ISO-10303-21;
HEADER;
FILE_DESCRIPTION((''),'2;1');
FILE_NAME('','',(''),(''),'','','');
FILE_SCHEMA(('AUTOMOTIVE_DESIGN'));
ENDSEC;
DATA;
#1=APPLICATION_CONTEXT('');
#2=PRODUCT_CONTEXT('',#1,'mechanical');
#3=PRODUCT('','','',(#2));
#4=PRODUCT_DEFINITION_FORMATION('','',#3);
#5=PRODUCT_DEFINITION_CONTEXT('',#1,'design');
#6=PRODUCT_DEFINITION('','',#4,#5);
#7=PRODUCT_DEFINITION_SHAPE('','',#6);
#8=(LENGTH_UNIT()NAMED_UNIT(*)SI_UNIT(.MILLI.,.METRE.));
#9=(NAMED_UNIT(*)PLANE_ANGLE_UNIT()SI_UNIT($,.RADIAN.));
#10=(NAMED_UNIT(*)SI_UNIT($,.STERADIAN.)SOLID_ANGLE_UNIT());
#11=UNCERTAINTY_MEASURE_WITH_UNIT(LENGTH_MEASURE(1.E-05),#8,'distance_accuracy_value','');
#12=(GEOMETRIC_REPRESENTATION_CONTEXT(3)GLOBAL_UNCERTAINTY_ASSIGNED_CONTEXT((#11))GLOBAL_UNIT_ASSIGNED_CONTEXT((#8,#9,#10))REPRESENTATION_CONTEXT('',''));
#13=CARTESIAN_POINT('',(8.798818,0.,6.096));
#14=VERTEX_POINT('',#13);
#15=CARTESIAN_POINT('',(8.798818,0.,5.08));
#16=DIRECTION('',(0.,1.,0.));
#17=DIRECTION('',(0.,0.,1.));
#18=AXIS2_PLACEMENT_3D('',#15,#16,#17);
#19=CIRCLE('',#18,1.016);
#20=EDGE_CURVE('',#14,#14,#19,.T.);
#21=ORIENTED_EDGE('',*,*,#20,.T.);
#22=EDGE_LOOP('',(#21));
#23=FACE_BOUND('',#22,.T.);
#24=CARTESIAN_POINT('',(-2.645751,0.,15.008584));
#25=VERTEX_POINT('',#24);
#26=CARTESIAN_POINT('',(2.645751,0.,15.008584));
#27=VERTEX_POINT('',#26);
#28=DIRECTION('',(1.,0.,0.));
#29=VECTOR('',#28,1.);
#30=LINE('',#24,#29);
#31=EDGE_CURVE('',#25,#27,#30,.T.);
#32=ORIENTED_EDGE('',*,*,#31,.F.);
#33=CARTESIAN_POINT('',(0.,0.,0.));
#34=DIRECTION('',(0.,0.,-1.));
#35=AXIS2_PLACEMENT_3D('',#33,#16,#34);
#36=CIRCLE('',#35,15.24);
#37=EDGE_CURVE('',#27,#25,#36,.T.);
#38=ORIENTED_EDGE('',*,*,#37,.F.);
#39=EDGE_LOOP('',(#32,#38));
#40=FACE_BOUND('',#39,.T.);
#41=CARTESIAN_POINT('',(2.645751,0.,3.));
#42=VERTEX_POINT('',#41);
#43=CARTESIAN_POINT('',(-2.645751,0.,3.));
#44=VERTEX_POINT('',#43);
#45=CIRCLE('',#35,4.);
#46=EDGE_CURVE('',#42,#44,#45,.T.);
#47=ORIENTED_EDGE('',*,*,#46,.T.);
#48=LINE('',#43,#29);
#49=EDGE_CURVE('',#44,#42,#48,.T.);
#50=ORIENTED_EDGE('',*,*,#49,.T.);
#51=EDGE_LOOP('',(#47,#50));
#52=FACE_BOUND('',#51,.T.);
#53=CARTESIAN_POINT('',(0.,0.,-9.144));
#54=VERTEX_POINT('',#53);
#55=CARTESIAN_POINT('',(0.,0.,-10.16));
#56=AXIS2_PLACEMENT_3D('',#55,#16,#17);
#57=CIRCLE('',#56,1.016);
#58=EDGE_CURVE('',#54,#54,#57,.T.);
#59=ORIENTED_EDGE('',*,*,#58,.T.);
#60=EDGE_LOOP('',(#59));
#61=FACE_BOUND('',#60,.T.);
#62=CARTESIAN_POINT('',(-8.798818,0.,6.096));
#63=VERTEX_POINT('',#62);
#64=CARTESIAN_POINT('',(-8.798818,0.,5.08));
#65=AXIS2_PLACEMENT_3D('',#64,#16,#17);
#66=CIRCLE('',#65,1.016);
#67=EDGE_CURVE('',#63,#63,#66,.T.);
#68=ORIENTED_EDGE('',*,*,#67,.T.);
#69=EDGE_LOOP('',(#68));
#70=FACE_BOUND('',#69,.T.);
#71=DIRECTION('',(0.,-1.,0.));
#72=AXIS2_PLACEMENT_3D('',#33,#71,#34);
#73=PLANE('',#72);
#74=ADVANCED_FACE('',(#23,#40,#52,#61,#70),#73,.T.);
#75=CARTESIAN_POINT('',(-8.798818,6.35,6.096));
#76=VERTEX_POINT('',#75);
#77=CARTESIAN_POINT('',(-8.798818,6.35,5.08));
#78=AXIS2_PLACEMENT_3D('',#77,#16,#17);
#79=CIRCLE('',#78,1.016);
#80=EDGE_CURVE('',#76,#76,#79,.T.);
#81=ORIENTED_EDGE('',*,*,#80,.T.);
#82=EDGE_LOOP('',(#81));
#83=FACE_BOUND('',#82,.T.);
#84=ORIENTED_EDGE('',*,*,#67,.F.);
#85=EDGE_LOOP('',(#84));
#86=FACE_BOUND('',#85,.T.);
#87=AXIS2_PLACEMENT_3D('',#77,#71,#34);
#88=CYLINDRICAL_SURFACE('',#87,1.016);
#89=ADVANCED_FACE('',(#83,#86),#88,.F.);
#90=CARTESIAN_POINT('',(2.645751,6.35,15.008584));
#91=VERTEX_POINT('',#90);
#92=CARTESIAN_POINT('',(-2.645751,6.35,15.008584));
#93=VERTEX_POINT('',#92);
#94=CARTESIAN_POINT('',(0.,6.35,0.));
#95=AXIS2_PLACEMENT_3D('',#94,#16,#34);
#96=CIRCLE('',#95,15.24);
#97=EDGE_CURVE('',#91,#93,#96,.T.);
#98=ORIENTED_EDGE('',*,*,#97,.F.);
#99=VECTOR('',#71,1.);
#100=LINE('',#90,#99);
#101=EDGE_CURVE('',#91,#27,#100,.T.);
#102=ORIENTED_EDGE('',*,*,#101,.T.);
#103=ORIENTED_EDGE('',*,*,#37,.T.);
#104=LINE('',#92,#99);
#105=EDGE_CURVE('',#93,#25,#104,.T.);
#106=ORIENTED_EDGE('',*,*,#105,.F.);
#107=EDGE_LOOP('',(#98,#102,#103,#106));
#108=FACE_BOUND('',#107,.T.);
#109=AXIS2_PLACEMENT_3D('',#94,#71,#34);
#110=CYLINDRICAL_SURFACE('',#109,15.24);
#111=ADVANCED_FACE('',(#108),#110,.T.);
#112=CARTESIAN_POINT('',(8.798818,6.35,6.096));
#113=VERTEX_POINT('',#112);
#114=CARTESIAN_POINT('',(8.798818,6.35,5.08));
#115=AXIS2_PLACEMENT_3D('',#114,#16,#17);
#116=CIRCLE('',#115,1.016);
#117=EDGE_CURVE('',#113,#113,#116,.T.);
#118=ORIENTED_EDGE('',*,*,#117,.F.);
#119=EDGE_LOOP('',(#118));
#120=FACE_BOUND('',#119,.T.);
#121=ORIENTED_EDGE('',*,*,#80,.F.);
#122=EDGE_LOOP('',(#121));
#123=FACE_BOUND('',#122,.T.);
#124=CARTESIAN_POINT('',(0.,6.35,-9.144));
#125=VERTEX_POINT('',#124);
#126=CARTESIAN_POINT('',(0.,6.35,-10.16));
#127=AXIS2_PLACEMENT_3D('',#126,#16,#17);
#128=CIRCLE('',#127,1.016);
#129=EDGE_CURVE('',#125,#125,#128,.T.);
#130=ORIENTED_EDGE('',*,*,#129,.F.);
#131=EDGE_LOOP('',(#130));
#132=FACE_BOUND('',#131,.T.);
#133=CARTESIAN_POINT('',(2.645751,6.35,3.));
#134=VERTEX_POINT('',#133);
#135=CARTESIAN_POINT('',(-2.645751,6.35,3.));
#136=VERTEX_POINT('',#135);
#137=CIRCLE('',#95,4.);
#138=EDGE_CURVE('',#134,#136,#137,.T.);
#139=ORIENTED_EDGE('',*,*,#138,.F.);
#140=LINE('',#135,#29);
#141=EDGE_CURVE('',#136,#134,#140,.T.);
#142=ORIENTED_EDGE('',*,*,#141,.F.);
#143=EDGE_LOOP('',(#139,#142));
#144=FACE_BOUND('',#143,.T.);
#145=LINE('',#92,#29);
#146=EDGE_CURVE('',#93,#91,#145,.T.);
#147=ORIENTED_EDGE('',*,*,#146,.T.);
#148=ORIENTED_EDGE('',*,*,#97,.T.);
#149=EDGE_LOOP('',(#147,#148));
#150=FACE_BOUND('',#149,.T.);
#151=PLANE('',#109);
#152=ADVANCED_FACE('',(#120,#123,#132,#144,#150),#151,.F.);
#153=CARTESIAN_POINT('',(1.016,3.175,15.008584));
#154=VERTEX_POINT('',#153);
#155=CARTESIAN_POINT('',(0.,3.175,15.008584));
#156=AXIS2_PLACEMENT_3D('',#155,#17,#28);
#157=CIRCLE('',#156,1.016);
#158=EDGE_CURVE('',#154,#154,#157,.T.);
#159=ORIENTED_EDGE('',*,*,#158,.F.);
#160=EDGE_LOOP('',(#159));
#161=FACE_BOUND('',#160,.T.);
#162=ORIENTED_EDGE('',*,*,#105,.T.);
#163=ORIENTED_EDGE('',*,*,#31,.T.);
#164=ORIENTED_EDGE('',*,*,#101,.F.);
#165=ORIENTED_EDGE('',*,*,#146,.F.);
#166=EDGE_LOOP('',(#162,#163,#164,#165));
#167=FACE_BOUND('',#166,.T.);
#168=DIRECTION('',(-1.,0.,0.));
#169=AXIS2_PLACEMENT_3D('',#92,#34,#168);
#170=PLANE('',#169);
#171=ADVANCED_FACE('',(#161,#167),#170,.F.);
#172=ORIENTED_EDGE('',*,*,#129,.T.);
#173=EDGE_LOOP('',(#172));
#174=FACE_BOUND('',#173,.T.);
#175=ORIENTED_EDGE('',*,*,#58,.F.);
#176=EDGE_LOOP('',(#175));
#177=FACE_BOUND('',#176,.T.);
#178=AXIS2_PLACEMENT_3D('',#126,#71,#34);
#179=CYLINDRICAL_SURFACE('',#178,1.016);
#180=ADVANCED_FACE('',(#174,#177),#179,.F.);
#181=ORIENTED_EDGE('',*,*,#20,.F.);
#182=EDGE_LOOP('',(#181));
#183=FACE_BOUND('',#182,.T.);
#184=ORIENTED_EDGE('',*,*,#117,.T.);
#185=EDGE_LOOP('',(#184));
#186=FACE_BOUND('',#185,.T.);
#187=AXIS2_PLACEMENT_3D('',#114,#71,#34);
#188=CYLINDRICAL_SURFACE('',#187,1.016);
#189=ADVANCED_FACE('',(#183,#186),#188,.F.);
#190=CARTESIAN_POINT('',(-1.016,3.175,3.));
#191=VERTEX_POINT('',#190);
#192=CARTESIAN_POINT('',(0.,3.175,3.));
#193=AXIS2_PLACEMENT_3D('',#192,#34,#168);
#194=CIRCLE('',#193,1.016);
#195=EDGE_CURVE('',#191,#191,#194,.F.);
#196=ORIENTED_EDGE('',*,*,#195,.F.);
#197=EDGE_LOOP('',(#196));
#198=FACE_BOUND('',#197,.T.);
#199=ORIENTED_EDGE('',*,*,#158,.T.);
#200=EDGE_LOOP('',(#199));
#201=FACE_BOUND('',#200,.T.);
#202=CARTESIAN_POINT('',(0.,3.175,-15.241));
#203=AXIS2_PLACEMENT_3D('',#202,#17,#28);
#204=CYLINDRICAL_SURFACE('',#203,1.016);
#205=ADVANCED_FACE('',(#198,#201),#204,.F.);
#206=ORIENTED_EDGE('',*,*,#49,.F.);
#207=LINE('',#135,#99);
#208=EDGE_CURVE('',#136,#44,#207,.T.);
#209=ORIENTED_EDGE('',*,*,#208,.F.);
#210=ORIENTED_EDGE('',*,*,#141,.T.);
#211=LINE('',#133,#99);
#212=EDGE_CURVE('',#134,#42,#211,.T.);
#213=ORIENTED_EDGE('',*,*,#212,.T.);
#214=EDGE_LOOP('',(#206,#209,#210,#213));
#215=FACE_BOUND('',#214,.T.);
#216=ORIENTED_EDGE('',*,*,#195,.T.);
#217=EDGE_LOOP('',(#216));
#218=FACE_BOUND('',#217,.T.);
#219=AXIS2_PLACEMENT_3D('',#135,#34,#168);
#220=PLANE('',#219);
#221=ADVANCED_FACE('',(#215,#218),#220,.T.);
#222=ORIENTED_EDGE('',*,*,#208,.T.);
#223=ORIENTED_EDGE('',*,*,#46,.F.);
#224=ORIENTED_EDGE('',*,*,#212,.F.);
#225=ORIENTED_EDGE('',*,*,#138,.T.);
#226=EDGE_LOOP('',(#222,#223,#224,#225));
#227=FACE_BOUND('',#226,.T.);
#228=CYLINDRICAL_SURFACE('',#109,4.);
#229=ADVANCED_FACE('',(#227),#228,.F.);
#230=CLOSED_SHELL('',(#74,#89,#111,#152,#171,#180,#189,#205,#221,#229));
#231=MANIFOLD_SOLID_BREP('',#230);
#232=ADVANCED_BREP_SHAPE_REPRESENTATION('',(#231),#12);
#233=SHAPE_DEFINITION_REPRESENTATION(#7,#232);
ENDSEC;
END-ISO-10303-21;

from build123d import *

# Parameters (mm, degrees)
SKETCH1_R           = 1.016
BOSS_EXTRUDE1_DEPTH = 6.35
CUT_EXTRUDE1_REACH  = 32.249
SKETCH2_R           = 1.016


with BuildPart() as part:
    # Sketch1 → Boss-Extrude1 (new body)
    with BuildSketch(Plane(origin=(0, 0, 0), x_dir=(1, 0, 0), z_dir=(0, 1, 0))):
        with BuildLine():
            Line((-2.645751311, -15.00858421), (2.645751311, -15.00858421))
            ThreePointArc((2.645751311, -15.00858421), (0, 15.24), (-2.645751311, -15.00858421))
        make_face()
        with Locations((0, 10.16)):
            Circle(SKETCH1_R, mode=Mode.SUBTRACT)
        with Locations((8.798818102, -5.08)):
            Circle(SKETCH1_R, mode=Mode.SUBTRACT)
        with Locations((-8.798818102, -5.08)):
            Circle(SKETCH1_R, mode=Mode.SUBTRACT)
        with BuildLine():
            Line((-2.645751311, -3), (2.645751311, -3))
            ThreePointArc((2.645751311, -3), (0, 4), (-2.645751311, -3))
        make_face(mode=Mode.SUBTRACT)
    extrude(amount=BOSS_EXTRUDE1_DEPTH)

    # Sketch2 → Cut-Extrude1 (cut, up to next)
    with BuildSketch(Plane.XY.offset(15.00858421), mode=Mode.PRIVATE) as cut_extrude1_sk1:
        with Locations((0, 3.175)):
            Circle(SKETCH2_R)
    cut_extrude1_tool1 = extrude(cut_extrude1_sk1.sketch, amount=-CUT_EXTRUDE1_REACH, mode=Mode.PRIVATE) & part.part
    add(cut_extrude1_tool1.solids().sort_by_distance((0, 3.175, 15.008584))[0], mode=Mode.SUBTRACT)


solid = part.part
